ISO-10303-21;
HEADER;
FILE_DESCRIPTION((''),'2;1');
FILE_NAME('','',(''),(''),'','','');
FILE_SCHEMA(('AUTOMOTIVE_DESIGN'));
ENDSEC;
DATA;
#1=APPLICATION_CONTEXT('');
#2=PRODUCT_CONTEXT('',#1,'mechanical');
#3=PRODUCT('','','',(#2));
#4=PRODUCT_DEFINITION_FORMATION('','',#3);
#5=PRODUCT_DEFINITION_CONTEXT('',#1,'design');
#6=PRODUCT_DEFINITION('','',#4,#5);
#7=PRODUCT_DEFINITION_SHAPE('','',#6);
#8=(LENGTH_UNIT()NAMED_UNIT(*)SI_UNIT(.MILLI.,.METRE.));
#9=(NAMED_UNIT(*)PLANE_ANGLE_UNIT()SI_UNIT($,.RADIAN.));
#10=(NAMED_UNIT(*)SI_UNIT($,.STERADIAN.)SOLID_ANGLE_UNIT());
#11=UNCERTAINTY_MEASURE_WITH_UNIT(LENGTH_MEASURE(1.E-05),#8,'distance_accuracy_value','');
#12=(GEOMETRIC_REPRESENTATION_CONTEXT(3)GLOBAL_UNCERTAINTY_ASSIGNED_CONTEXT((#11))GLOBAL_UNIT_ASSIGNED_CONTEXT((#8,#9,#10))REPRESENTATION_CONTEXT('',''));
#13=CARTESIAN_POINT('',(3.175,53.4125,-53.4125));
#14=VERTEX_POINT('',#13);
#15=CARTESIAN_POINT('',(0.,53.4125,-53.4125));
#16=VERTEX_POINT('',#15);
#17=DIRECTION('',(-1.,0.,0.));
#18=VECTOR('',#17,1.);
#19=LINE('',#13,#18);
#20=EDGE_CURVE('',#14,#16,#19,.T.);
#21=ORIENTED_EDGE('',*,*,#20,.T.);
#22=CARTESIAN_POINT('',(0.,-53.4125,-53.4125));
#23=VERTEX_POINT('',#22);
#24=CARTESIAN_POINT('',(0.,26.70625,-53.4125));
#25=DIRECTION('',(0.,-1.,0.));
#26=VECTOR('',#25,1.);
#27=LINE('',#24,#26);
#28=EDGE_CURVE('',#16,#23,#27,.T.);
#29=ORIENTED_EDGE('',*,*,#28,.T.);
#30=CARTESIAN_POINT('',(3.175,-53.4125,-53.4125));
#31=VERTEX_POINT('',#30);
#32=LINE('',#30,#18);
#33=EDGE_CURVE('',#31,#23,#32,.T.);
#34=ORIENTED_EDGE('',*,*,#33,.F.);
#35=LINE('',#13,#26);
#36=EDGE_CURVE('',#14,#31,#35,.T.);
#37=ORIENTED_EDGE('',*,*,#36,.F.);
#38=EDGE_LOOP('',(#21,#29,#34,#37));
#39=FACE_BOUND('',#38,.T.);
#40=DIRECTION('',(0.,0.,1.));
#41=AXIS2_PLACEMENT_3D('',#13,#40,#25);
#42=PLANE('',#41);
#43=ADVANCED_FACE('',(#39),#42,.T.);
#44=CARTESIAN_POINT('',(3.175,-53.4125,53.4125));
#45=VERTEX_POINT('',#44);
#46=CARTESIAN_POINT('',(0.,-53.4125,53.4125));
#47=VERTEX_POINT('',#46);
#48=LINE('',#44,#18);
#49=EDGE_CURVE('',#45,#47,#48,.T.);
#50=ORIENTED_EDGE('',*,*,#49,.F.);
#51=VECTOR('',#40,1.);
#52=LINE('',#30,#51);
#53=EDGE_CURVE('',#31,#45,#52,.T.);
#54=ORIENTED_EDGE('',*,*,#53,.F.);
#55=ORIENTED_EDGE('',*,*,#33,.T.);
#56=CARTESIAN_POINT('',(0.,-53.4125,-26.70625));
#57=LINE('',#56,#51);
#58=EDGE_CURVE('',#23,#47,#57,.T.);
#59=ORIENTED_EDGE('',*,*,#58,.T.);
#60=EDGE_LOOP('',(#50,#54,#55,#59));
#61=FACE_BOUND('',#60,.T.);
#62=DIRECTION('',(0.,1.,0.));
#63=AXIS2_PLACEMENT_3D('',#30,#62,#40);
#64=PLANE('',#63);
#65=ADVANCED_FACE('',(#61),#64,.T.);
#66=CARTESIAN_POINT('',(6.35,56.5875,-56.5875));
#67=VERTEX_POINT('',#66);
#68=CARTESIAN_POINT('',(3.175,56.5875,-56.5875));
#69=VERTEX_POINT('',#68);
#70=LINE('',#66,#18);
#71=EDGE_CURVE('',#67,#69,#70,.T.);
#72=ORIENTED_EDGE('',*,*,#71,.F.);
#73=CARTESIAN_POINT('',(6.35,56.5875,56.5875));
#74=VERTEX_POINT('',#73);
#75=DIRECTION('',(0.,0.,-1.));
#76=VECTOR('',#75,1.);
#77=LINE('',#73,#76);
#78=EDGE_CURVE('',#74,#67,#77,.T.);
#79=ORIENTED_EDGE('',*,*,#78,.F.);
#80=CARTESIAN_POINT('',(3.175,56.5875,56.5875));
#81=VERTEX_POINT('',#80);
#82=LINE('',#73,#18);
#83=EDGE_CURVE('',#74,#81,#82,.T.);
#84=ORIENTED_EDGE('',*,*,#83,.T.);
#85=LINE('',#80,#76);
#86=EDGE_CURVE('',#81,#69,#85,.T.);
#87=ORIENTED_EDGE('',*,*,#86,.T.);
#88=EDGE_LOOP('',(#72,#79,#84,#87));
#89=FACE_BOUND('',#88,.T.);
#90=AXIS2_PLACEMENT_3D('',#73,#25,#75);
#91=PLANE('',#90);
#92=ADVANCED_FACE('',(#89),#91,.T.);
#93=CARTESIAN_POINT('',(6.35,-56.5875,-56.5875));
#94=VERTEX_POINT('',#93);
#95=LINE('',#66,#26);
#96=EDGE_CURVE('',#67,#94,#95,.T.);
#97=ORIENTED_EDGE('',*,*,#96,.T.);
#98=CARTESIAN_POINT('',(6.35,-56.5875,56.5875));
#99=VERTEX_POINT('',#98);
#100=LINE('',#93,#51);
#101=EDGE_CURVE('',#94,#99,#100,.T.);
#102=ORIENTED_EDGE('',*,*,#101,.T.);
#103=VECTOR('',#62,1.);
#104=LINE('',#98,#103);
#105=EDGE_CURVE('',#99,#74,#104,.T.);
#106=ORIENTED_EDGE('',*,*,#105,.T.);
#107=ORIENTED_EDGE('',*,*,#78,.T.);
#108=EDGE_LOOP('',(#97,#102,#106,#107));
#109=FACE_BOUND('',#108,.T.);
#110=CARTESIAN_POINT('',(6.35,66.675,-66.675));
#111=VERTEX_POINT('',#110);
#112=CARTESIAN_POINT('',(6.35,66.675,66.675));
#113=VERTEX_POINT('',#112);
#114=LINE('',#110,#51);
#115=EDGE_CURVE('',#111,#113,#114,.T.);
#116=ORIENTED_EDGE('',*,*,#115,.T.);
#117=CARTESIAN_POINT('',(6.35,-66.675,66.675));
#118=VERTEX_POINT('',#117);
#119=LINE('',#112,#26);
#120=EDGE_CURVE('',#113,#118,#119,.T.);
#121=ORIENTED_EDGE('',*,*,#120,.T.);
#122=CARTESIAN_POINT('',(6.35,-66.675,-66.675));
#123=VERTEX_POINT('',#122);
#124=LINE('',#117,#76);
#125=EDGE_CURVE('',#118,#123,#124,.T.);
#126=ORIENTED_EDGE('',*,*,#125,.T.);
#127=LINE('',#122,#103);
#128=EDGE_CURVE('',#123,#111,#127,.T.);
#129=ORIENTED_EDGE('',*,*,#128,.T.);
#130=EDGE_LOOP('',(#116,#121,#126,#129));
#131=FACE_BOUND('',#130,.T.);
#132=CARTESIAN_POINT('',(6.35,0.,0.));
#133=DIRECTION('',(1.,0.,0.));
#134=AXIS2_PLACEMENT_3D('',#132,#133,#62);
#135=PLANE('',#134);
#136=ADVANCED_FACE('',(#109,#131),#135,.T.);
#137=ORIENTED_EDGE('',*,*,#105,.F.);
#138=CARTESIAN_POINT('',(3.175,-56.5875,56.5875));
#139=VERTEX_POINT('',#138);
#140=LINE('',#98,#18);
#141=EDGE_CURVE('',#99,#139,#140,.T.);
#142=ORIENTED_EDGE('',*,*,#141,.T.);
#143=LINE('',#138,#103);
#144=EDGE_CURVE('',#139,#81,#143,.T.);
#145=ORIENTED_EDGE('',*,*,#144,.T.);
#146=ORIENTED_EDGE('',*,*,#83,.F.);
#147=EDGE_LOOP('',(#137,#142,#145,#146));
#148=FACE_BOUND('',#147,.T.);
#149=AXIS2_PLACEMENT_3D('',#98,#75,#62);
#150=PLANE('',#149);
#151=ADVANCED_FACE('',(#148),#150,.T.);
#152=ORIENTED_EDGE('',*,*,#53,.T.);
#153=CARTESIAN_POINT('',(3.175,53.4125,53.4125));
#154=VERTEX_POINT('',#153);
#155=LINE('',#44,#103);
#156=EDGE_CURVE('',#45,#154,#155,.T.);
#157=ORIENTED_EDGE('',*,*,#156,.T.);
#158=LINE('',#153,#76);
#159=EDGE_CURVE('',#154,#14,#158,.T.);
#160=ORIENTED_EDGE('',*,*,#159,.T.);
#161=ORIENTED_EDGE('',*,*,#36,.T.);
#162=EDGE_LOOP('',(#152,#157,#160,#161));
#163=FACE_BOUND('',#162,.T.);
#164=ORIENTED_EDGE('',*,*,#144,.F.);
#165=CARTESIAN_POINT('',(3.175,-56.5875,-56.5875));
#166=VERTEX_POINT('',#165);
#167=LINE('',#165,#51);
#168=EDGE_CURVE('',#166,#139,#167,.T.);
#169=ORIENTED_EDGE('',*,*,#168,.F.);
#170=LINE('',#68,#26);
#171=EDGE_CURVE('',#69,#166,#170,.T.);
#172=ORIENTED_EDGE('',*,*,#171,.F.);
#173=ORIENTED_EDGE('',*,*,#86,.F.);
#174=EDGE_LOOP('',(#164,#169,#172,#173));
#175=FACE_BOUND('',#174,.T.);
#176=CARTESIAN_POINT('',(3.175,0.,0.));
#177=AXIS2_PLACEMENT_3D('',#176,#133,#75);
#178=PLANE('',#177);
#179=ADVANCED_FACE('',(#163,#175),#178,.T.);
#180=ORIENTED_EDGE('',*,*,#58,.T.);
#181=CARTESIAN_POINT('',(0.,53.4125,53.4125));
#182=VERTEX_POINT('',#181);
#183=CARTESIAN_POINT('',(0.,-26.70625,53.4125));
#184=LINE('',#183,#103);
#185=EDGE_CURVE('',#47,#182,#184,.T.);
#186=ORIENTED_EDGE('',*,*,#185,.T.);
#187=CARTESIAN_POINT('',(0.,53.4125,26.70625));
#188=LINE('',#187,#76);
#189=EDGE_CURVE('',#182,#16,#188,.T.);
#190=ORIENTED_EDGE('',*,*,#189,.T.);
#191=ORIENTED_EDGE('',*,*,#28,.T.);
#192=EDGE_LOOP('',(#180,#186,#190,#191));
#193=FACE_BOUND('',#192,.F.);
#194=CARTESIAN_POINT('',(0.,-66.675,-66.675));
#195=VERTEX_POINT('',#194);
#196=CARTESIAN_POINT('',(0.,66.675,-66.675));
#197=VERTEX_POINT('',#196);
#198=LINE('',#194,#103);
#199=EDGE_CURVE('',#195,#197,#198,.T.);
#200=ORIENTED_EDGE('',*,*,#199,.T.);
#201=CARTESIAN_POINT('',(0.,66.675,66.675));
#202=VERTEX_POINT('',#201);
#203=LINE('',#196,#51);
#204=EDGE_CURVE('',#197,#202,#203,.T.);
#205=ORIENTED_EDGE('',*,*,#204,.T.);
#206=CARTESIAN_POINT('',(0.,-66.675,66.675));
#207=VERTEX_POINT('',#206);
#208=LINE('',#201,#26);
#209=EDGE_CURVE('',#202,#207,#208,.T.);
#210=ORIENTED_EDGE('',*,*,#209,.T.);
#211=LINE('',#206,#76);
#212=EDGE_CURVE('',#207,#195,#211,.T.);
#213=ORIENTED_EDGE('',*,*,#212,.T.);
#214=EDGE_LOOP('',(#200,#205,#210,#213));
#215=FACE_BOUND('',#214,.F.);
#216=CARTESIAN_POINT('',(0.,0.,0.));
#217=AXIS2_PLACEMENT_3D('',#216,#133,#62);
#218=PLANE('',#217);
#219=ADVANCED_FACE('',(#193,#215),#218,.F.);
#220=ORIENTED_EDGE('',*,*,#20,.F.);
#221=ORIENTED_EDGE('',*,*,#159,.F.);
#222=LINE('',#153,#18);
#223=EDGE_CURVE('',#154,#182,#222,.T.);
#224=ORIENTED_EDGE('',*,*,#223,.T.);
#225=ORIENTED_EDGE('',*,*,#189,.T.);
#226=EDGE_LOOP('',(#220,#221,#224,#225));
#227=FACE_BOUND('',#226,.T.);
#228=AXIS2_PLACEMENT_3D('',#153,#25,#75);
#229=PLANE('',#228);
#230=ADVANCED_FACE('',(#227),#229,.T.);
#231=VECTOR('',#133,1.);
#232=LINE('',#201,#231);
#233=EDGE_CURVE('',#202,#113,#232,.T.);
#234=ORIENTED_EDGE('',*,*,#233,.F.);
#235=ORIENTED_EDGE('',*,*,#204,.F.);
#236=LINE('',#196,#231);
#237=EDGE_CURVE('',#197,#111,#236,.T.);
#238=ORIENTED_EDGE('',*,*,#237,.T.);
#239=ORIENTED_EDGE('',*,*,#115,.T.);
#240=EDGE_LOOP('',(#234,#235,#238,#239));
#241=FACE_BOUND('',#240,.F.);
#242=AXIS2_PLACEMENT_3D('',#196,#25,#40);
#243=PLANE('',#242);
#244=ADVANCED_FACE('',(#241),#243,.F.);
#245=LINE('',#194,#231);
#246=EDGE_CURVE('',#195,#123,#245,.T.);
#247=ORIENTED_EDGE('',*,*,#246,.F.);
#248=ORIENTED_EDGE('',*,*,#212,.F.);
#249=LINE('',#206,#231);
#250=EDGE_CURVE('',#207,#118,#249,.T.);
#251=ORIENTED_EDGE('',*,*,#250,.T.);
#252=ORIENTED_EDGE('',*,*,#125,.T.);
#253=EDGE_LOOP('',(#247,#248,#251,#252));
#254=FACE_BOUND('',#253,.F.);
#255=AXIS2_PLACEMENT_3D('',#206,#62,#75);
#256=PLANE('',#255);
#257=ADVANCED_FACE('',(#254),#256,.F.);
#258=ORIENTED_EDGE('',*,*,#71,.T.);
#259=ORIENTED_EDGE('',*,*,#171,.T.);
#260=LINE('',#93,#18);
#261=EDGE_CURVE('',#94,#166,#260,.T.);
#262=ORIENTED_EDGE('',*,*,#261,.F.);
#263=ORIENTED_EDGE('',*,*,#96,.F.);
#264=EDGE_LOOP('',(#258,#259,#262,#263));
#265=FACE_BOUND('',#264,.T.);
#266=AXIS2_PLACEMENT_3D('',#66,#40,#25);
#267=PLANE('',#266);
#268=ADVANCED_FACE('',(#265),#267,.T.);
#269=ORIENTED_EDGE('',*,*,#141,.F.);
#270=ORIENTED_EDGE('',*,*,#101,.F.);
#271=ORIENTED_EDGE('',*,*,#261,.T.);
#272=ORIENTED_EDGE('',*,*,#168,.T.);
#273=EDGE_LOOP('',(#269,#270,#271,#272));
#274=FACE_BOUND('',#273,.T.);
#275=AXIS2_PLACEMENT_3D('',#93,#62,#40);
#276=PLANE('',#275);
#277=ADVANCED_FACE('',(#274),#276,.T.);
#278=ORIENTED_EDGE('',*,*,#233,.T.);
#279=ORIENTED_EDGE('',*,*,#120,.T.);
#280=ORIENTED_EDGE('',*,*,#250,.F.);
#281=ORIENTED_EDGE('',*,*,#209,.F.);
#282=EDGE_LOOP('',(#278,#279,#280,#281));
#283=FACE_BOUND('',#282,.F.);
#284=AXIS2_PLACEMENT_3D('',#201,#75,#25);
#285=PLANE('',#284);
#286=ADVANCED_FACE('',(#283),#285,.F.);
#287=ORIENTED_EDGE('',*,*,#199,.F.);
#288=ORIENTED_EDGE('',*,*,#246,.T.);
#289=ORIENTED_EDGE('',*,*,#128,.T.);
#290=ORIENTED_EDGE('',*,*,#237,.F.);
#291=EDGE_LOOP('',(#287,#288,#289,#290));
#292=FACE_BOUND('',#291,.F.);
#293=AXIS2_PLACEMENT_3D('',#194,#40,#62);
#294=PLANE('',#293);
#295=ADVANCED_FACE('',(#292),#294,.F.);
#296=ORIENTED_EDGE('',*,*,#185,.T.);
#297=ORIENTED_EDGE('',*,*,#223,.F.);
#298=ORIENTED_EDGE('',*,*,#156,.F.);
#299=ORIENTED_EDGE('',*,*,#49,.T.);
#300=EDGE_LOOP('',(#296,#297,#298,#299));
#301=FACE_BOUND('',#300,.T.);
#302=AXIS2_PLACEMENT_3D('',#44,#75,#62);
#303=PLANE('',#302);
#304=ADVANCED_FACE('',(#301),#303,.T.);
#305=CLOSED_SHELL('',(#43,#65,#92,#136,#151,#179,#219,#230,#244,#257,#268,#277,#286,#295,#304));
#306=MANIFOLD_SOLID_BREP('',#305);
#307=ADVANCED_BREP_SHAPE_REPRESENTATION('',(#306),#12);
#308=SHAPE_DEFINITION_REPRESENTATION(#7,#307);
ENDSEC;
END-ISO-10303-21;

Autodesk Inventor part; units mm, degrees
ref_plane "YZ Plane" through (0, 0, 0) normal (1, 0, 0) x (0, 1, 0)
ref_plane "XZ Plane" through (0, 0, 0) normal (0, 1, 0) x (-1, 0, 0)
ref_plane "XY Plane" through (0, 0, 0) normal (0, 0, 1) x (1, 0, 0)
sketch "Sketch1" plane through (0, 0, 0) normal (1, 0, 0) x (0, 1, 0)
  line L0 (-66.675, -66.675) -> (66.675, -66.675)
  line L1 (66.675, -66.675) -> (66.675, 66.675)
  line L2 (66.675, 66.675) -> (-66.675, 66.675)
  line L3 (-66.675, 66.675) -> (-66.675, -66.675)
  line L4 (-66.675, -66.675) -> (66.675, 66.675) construction
  line L5 (66.675, -66.675) -> (-66.675, 66.675) construction
  point P0 (0, 0)
  dimension "d0" = 133.35
  dimension "d1" = 133.35
extrude "Extrusion1" add sketch "Sketch1" along normal blind 6.35
sketch "Sketch2" plane through (6.35, 0, 0) normal (1, 0, 0) x (0, 0, -1)
  line L0 (56.5875, -56.5875) -> (-56.5875, -56.5875)
  line L1 (-56.5875, -56.5875) -> (-56.5875, 56.5875)
  line L2 (-56.5875, 56.5875) -> (56.5875, 56.5875)
  line L3 (56.5875, 56.5875) -> (56.5875, -56.5875)
  line L4 (56.5875, -56.5875) -> (-56.5875, 56.5875) construction
  line L5 (-56.5875, -56.5875) -> (56.5875, 56.5875) construction
  point P0 (0, 0)
  dimension "d4" = 113.175
  dimension "d5" = 113.175
extrude "Extrusion2" cut sketch "Sketch2" against normal blind 3.175
sketch "Sketch3" plane through (3.175, 0, 0) normal (1, 0, 0) x (0, 0, -1)
  line L0 (56.5875, -56.5875) -> (-56.5875, -56.5875) projected
  line L1 (56.5875, 56.5875) -> (56.5875, -56.5875) projected
  line L2 (-56.5875, 56.5875) -> (56.5875, 56.5875) projected
  line L3 (-56.5875, -56.5875) -> (-56.5875, 56.5875) projected
  line L4 (-53.4125, 53.4125) -> (53.4125, 53.4125)
  line L5 (53.4125, 53.4125) -> (53.4125, -53.4125)
  line L6 (53.4125, -53.4125) -> (-53.4125, -53.4125)
  line L7 (-53.4125, -53.4125) -> (-53.4125, 53.4125)
  point P0 (0, 0)
  dimension "d8" = 3.175
extrude "Extrusion3" cut sketch "Sketch3" against normal through all contours L4 L5 L6 L7
equation "\"d0\" = width + internalAcrylicThickness"
equation "\"d1\" = height + internalAcrylicThickness"
equation "\"d2\" = internalAcrylicThickness"
equation "\"d4\" = aerogelHeight + aerogelClearence"
equation "\"d5\" = aerogelWidth + aerogelClearence"
equation "\"d6\" = 0.5 * internalAcrylicThickness"
equation "\"d8\" = aerogelClearence"
equation "\"d9\" = 0.5 * internalAcrylicThickness"
equation "\"frameAcrylicThickness\" = 9.525"
equation "\"internalAcrylicThickness\" = 6.35"
equation "\"aerogelWidth\" = 110"
equation "\"aerogelHeight\" = 110"
equation "\"height\" = 127"
equation "\"width\" = 127"
equation "\"depth\" = 273.05"
equation "\"mirrorAngle\" = 5deg"
equation "\"detectorWidth\" = 52"
equation "\"detectorHeight\" = 52"
equation "\"mirrorThickness\" = 3.175"
equation "\"fresnelThickness\" = 0.1"
equation "\"focalLength\" = 76.2"
equation "\"ior\" = 1.49"
equation "\"centerThickness\" = 1.524"
equation "\"fresnelAngle\" = 90deg"
equation "\"fresnelEffectiveDiameter\" = 152.4"
equation "\"oRingWidth\" = 1.5875"
equation "\"sensorHolderDepth\" = 19.05"
equation "\"aerogelClearence\" = 3.175"
equation "\"backplanePostionOffsett\" = 12.7"
equation "\"backplaneHoleOffsett\" = 6.35"
equation "\"backplanePCBHeight\" = 76.2"
equation "\"backplanePCBWidth\" = 76.2"
equation "\"moduleSlotClearence\" = 0.79375"
properties part number "aerogelHolder" material "ABS Plastic"
